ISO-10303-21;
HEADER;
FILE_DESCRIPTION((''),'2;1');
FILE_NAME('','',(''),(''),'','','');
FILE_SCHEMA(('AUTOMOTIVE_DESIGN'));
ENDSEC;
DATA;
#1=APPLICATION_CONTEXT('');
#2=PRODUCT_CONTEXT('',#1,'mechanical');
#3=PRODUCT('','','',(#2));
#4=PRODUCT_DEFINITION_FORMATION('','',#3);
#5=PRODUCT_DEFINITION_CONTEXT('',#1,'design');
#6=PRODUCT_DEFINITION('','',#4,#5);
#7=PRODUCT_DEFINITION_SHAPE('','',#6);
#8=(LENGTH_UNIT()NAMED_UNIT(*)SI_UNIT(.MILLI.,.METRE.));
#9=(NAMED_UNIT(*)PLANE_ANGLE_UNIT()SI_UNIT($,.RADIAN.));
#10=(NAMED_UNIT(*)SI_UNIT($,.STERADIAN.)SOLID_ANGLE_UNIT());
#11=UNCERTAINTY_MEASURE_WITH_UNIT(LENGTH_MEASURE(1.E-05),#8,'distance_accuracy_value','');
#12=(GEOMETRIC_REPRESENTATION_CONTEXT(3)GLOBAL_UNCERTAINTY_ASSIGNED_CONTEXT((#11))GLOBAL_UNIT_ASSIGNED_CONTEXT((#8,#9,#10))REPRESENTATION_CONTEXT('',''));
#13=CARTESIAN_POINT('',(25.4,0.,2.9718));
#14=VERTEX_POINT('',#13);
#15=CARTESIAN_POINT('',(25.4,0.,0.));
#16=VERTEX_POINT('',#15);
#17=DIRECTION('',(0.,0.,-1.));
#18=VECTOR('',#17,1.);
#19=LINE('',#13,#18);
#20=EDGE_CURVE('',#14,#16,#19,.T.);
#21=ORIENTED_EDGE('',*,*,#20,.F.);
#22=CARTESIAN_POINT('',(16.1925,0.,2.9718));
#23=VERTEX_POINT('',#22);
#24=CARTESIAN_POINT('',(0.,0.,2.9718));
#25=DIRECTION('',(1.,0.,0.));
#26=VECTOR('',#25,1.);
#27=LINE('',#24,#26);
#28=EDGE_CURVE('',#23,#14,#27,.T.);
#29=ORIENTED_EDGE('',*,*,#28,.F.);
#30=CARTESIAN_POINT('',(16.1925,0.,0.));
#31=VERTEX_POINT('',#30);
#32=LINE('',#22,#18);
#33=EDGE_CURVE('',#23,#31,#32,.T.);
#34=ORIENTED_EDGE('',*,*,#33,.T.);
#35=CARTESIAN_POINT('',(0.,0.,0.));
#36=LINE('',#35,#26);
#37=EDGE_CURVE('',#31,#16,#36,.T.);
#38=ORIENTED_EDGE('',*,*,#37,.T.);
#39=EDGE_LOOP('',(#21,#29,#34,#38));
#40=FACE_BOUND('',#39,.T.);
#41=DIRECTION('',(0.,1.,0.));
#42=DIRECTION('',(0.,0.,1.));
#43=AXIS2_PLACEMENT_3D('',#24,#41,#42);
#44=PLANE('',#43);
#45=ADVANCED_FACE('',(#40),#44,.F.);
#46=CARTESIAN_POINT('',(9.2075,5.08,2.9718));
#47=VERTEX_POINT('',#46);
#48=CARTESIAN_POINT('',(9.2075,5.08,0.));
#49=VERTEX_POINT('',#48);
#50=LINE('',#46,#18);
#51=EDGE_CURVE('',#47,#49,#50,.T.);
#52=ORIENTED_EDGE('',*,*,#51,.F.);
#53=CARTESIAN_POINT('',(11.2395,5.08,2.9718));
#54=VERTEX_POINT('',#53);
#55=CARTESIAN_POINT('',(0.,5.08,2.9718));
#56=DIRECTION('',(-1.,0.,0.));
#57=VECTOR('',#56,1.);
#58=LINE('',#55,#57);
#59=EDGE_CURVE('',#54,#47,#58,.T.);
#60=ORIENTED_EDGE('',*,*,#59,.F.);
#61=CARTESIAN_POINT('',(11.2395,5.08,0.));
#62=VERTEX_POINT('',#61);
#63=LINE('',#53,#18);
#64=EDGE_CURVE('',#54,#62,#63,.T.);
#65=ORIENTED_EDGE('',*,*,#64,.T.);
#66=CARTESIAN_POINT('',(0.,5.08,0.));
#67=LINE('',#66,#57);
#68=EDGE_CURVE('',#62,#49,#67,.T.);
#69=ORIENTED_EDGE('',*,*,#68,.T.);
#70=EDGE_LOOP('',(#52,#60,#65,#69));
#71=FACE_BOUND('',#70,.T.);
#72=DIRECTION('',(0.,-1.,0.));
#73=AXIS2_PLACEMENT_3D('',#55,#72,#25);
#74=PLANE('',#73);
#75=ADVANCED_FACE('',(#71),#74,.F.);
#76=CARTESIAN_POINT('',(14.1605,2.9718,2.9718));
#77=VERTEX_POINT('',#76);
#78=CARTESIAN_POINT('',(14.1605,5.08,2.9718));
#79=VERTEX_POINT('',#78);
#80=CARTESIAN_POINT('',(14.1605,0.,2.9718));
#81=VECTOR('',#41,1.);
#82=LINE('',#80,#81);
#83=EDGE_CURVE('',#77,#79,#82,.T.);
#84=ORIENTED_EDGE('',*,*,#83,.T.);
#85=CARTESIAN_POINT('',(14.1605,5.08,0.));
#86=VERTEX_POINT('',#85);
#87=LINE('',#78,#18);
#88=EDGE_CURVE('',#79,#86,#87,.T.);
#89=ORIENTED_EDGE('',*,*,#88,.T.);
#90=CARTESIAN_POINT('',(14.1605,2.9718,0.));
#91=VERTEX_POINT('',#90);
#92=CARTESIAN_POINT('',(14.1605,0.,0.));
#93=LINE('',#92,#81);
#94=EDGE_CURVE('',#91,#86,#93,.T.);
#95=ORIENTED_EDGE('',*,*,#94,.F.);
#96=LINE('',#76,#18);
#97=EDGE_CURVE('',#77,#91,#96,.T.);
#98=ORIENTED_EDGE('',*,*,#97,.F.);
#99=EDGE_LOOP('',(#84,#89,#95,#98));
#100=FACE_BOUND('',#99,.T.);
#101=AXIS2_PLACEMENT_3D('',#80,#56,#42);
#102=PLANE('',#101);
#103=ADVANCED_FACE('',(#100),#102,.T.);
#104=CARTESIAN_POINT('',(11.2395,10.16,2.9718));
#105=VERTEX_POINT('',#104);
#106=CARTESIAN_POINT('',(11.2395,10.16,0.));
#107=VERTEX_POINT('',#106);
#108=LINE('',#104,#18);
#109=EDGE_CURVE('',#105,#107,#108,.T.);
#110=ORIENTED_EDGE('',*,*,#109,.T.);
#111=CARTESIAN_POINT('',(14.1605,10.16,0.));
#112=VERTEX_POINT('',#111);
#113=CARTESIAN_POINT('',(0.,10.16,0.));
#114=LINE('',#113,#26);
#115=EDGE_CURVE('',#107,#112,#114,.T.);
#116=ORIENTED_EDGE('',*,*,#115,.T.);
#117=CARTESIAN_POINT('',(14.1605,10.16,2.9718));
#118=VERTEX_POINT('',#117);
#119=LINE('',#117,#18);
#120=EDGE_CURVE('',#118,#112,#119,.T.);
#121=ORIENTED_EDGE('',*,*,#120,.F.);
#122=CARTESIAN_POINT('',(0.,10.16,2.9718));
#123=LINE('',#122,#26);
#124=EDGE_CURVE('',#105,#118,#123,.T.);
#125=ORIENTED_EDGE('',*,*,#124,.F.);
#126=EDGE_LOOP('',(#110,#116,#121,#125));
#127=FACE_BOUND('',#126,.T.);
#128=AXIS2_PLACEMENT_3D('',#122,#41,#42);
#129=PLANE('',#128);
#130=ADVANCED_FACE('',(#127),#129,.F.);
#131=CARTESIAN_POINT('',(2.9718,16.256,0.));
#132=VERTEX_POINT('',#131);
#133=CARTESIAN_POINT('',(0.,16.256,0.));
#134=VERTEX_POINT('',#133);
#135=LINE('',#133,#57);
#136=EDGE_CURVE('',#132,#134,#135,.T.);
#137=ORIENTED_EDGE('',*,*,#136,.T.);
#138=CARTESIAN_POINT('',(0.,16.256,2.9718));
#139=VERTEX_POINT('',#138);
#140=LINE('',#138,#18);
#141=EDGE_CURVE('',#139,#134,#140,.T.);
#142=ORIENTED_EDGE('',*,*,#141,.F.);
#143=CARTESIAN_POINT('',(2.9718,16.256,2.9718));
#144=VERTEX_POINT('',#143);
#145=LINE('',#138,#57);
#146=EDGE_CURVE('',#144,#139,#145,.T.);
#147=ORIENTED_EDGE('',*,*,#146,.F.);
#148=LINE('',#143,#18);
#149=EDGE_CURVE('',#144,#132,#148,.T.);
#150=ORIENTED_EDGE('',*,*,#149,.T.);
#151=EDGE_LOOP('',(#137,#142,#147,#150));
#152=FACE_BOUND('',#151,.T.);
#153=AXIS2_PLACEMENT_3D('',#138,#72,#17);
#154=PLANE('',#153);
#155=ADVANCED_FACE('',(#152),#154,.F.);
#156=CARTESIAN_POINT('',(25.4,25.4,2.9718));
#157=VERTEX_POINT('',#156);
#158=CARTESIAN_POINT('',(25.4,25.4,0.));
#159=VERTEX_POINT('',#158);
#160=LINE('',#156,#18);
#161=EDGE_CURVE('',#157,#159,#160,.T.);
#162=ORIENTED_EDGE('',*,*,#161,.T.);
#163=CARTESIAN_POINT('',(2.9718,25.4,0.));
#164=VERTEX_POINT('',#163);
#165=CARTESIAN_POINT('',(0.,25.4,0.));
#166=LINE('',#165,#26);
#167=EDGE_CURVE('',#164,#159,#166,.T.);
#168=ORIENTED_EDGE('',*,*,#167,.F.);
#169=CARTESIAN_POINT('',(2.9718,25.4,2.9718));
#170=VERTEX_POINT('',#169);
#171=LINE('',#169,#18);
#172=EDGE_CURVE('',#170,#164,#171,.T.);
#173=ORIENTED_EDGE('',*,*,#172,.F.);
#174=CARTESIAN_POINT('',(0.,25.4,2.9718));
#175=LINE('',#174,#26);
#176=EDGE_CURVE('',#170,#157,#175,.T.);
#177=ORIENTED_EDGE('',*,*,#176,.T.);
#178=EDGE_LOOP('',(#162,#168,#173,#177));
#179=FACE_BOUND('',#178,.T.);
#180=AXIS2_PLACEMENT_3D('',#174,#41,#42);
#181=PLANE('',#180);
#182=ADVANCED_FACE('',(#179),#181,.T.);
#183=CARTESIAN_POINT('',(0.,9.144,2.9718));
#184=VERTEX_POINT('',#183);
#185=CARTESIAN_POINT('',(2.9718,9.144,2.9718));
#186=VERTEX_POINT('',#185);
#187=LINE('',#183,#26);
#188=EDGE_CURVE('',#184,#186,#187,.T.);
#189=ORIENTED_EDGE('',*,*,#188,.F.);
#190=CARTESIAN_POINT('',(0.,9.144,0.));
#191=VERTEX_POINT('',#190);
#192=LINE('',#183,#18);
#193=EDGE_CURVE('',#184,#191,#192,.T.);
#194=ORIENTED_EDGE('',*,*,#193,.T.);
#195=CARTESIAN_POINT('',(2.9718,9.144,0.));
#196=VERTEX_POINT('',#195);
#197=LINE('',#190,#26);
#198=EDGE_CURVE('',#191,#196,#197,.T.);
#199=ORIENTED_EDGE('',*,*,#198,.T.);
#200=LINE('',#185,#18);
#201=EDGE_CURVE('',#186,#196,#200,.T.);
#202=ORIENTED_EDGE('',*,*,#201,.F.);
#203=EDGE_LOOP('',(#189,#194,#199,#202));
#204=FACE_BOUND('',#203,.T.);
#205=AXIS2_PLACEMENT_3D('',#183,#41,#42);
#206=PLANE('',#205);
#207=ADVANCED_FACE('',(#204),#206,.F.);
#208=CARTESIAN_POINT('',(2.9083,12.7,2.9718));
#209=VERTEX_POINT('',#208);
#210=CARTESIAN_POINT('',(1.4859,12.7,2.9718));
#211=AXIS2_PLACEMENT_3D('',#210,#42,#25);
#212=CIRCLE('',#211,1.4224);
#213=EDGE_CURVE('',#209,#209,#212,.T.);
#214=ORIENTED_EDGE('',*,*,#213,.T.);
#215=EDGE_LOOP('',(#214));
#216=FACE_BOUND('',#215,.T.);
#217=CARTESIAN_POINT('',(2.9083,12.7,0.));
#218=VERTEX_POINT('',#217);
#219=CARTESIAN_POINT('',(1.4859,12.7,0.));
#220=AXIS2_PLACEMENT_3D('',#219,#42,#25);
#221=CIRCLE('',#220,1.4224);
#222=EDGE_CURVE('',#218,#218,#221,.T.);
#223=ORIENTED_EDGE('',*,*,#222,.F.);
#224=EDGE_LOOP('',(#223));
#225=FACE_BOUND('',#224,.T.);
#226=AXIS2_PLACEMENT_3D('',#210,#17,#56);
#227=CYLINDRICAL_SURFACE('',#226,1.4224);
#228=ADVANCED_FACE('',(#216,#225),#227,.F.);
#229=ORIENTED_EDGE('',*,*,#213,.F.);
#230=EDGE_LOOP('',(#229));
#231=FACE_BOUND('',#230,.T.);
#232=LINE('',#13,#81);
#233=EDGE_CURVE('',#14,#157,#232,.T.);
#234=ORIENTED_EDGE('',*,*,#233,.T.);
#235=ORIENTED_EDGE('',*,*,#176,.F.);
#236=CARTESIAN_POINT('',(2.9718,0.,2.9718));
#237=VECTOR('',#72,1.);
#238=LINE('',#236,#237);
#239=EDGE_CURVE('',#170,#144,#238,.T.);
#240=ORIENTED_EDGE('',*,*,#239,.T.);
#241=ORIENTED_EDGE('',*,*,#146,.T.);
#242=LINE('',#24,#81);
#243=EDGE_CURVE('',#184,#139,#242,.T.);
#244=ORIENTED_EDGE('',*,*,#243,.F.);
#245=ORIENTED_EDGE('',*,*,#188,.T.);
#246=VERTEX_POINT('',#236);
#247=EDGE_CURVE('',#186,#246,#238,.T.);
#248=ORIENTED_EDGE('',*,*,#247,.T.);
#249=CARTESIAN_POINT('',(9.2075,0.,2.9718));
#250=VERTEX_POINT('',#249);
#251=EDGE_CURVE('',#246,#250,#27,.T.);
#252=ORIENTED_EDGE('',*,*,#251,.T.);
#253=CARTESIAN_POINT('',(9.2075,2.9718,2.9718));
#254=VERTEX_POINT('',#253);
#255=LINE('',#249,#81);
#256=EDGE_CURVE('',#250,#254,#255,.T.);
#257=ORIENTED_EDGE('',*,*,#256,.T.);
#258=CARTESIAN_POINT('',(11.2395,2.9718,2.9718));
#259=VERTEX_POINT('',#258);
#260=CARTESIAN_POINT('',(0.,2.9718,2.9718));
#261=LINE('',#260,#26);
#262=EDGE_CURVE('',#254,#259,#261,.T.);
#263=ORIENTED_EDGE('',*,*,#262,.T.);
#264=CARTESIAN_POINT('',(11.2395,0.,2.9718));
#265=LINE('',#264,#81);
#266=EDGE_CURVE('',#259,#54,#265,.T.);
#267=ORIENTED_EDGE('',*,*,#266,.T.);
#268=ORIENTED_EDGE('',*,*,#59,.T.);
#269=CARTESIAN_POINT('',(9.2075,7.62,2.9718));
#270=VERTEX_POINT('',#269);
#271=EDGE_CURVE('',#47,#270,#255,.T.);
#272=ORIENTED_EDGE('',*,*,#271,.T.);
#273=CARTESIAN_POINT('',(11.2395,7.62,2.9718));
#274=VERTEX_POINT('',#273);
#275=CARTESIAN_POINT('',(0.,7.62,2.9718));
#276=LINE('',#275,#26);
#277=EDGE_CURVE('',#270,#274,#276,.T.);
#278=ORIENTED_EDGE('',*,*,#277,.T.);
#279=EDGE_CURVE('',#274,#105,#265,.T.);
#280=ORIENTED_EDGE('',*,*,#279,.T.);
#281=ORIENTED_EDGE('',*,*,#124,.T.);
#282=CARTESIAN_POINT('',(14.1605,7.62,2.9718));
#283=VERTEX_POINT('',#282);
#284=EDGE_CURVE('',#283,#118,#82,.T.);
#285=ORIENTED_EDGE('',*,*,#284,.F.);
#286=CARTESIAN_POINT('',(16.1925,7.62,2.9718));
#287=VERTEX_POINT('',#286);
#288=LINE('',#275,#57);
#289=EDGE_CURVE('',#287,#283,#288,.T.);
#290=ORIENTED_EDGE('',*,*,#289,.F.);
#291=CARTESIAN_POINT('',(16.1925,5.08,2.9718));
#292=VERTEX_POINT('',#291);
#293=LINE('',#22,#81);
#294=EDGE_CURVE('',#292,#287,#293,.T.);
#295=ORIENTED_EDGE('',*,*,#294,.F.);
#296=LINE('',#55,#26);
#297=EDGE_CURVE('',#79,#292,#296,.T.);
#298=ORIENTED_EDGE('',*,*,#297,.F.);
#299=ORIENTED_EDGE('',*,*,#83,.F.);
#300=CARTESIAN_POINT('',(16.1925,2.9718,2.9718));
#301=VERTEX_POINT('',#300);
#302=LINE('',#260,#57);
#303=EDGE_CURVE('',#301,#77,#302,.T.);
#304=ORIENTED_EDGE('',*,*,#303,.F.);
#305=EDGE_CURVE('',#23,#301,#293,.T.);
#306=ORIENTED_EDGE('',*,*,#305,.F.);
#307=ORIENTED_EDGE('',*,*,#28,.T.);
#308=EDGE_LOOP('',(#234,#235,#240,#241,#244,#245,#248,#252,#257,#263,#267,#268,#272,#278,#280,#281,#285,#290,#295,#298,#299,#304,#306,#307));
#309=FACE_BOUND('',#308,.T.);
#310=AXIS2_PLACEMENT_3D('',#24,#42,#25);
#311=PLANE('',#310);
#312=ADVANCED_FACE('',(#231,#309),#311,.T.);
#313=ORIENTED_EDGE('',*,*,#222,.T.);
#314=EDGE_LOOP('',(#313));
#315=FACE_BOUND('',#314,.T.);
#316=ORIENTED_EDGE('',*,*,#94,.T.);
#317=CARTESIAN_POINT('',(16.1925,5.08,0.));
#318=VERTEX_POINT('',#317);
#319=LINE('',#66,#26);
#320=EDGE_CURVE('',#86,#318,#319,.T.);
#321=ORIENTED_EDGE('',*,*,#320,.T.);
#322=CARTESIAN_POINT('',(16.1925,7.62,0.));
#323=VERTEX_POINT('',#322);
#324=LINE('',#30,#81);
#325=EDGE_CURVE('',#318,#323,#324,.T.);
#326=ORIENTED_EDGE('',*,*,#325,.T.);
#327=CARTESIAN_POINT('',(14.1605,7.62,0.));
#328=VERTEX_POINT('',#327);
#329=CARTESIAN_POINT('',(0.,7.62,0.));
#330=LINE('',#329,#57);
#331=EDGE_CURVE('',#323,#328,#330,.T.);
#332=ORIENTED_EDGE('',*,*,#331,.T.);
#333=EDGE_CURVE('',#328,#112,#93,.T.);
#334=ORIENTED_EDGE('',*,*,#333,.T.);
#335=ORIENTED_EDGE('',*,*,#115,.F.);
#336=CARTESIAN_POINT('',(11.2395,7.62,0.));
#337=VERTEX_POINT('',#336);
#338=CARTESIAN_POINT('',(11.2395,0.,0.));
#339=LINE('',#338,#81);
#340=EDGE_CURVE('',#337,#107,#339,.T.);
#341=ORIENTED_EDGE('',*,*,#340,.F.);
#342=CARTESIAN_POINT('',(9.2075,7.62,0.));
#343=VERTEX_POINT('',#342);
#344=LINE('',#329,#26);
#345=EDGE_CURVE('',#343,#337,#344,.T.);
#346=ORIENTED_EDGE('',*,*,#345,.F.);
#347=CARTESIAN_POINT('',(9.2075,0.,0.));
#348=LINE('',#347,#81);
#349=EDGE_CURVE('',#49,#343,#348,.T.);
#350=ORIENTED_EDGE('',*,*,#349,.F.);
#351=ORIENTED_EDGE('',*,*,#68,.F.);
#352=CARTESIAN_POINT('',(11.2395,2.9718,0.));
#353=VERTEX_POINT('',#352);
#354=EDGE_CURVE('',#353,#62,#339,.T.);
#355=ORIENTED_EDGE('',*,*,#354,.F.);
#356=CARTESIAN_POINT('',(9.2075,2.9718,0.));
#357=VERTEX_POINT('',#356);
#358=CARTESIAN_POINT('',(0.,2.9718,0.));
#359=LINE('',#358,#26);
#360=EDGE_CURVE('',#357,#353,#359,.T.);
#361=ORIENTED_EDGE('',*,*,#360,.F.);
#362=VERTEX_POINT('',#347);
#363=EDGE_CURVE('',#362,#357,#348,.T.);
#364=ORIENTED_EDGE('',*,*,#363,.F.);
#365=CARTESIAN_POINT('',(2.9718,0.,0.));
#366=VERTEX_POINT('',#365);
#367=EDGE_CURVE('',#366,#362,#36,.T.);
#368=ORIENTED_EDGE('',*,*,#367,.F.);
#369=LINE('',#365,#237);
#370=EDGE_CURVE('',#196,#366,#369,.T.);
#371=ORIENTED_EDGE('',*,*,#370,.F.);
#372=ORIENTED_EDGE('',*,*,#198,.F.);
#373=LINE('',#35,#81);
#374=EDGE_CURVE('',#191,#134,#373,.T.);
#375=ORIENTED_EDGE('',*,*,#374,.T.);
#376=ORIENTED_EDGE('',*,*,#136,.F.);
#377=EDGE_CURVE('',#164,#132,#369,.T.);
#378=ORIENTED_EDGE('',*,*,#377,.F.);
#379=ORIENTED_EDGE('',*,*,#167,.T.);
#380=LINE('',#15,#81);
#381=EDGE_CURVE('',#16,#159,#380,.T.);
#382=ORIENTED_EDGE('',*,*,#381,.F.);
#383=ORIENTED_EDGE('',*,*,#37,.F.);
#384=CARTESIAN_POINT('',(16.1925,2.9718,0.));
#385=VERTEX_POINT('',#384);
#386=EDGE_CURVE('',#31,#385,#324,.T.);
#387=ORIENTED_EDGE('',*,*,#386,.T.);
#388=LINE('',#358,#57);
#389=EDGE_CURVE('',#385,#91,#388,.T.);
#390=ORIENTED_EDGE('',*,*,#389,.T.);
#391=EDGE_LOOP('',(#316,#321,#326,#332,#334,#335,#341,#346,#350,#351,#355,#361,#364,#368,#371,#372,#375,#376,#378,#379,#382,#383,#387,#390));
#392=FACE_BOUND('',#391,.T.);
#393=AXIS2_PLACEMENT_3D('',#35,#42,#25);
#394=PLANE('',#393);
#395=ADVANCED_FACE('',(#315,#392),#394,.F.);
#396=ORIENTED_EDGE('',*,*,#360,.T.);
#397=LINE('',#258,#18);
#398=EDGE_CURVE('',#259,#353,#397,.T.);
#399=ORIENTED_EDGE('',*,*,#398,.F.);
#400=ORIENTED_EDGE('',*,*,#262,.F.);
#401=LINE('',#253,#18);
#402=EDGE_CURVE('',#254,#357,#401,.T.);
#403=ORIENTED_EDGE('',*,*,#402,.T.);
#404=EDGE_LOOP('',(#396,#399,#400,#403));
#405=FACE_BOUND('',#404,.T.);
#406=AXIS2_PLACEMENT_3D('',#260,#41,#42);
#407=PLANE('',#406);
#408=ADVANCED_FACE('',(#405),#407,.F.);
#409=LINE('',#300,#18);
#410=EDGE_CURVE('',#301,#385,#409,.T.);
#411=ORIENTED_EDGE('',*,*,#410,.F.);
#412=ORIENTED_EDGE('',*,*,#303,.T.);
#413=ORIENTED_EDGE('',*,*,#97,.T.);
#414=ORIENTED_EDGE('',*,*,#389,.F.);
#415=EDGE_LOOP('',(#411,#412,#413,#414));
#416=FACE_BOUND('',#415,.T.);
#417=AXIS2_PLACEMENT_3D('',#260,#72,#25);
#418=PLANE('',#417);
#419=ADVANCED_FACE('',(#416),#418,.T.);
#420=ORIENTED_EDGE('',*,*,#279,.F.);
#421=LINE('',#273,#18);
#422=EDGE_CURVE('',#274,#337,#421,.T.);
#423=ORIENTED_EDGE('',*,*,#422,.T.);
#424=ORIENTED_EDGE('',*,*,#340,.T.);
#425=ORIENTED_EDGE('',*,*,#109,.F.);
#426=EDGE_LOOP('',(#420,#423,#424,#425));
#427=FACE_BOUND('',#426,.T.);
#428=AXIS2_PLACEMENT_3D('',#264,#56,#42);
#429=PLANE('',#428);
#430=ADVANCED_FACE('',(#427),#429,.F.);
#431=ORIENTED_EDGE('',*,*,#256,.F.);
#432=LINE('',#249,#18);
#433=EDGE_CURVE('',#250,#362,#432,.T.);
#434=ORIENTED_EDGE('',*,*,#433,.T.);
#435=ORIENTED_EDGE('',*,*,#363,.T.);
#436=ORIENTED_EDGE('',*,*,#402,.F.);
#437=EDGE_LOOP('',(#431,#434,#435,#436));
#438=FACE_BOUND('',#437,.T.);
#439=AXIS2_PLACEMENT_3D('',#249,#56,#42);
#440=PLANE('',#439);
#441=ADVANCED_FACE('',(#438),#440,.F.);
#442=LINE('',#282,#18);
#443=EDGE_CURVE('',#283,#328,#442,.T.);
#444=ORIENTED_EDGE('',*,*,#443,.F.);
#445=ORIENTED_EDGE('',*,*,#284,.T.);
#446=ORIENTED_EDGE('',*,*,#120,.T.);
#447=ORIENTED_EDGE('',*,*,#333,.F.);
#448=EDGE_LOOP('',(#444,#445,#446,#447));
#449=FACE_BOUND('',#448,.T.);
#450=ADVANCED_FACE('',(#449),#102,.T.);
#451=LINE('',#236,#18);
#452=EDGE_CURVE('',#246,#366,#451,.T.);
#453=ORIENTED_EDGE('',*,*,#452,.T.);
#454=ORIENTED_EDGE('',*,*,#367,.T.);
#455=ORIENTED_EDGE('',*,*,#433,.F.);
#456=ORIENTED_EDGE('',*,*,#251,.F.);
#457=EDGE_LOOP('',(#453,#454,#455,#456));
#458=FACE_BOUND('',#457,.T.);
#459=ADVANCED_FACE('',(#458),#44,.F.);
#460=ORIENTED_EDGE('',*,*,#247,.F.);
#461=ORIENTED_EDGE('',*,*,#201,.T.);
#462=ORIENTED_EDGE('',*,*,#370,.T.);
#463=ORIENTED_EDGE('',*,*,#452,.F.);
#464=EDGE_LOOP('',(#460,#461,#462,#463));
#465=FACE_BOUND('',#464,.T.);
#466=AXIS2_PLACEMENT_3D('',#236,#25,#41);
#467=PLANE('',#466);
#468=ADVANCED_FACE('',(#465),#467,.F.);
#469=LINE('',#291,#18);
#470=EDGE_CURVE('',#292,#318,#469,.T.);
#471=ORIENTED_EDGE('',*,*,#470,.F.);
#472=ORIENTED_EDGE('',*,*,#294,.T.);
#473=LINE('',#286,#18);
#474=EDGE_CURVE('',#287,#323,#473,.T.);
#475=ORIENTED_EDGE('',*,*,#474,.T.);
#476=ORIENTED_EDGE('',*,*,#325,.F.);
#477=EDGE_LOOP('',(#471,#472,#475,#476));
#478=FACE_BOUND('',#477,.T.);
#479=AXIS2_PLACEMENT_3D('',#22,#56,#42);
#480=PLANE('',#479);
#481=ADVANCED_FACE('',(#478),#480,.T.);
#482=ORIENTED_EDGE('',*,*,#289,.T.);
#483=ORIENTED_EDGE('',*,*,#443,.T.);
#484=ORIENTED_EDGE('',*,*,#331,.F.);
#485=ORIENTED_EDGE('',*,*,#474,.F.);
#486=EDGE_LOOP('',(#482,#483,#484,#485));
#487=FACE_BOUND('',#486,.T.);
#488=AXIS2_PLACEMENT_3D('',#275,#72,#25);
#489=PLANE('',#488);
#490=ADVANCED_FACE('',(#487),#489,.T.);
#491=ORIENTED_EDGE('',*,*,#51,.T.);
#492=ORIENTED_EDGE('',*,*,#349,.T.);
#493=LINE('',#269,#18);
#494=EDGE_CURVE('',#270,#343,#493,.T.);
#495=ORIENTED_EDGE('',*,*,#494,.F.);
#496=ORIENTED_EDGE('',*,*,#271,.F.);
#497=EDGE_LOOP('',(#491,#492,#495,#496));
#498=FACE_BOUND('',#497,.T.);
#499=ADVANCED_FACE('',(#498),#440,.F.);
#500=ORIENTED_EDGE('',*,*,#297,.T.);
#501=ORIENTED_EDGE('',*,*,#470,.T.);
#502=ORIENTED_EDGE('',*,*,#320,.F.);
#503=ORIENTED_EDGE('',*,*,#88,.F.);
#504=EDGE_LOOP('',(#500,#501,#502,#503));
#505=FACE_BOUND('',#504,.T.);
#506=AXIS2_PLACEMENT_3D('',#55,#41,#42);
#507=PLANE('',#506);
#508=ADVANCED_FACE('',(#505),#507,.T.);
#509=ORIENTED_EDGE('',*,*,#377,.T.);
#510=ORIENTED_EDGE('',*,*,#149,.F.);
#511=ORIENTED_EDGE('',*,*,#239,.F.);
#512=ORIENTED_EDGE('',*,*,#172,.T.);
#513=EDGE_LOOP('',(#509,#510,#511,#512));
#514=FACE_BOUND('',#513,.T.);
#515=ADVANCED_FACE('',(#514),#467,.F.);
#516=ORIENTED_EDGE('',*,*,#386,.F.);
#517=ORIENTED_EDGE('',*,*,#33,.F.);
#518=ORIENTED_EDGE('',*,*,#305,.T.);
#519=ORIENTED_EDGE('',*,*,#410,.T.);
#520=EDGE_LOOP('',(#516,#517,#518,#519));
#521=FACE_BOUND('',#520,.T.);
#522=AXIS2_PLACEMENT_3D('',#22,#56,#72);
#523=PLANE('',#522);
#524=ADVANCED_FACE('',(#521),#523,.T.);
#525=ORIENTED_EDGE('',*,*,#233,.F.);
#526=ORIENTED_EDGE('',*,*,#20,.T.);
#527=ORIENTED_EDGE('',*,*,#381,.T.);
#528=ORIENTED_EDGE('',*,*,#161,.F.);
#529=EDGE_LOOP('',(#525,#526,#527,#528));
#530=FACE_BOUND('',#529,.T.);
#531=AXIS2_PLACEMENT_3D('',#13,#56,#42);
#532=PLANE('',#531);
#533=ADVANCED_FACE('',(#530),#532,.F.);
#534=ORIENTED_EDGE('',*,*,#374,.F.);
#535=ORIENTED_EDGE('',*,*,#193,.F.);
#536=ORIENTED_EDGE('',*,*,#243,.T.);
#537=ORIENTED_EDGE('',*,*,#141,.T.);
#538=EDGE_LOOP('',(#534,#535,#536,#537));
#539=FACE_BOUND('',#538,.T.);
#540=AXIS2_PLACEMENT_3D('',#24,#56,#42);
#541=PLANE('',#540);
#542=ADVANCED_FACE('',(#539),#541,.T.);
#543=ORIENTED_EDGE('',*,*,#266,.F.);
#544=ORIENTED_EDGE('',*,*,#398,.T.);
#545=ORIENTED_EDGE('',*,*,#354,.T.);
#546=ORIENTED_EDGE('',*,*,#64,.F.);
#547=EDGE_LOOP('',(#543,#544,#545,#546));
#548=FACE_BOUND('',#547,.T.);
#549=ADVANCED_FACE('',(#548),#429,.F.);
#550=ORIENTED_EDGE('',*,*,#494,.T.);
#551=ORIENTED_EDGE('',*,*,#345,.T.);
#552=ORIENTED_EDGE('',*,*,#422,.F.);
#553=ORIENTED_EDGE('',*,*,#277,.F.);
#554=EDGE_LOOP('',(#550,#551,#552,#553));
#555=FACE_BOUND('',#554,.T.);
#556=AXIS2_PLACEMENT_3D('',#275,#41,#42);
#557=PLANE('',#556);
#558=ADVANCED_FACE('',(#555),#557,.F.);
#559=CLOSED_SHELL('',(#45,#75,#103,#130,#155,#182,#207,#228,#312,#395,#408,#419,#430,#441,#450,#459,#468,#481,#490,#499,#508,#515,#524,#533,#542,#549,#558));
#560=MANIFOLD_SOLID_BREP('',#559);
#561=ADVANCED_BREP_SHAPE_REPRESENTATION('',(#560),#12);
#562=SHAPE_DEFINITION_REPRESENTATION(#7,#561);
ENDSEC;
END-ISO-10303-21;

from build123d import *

# Parameters (mm, degrees)
SKETCH1_R           = 1.4224
BOSS_EXTRUDE1_DEPTH = 2.9718


with BuildPart() as part:
    # Sketch1 → Boss-Extrude1 (new body)
    with BuildSketch(Plane.XY):
        Polygon((25.4, 25.4), (2.9718, 25.4), (2.9718, 16.256), (0, 16.256), (0, 9.144), (2.9718, 9.144), (2.9718, 0), (9.2075, 0), (9.2075, 2.9718), (11.2395, 2.9718), (11.2395, 5.08), (9.2075, 5.08), (9.2075, 7.62), (11.2395, 7.62), (11.2395, 10.16), (14.1605, 10.16), (14.1605, 7.62), (16.1925, 7.62), (16.1925, 5.08), (14.1605, 5.08), (14.1605, 2.9718), (16.1925, 2.9718), (16.1925, 0), (25.4, 0), align=None)
        with Locations((1.4859, 12.7)):
            Circle(SKETCH1_R, mode=Mode.SUBTRACT)
    extrude(amount=BOSS_EXTRUDE1_DEPTH)


solid = part.part
